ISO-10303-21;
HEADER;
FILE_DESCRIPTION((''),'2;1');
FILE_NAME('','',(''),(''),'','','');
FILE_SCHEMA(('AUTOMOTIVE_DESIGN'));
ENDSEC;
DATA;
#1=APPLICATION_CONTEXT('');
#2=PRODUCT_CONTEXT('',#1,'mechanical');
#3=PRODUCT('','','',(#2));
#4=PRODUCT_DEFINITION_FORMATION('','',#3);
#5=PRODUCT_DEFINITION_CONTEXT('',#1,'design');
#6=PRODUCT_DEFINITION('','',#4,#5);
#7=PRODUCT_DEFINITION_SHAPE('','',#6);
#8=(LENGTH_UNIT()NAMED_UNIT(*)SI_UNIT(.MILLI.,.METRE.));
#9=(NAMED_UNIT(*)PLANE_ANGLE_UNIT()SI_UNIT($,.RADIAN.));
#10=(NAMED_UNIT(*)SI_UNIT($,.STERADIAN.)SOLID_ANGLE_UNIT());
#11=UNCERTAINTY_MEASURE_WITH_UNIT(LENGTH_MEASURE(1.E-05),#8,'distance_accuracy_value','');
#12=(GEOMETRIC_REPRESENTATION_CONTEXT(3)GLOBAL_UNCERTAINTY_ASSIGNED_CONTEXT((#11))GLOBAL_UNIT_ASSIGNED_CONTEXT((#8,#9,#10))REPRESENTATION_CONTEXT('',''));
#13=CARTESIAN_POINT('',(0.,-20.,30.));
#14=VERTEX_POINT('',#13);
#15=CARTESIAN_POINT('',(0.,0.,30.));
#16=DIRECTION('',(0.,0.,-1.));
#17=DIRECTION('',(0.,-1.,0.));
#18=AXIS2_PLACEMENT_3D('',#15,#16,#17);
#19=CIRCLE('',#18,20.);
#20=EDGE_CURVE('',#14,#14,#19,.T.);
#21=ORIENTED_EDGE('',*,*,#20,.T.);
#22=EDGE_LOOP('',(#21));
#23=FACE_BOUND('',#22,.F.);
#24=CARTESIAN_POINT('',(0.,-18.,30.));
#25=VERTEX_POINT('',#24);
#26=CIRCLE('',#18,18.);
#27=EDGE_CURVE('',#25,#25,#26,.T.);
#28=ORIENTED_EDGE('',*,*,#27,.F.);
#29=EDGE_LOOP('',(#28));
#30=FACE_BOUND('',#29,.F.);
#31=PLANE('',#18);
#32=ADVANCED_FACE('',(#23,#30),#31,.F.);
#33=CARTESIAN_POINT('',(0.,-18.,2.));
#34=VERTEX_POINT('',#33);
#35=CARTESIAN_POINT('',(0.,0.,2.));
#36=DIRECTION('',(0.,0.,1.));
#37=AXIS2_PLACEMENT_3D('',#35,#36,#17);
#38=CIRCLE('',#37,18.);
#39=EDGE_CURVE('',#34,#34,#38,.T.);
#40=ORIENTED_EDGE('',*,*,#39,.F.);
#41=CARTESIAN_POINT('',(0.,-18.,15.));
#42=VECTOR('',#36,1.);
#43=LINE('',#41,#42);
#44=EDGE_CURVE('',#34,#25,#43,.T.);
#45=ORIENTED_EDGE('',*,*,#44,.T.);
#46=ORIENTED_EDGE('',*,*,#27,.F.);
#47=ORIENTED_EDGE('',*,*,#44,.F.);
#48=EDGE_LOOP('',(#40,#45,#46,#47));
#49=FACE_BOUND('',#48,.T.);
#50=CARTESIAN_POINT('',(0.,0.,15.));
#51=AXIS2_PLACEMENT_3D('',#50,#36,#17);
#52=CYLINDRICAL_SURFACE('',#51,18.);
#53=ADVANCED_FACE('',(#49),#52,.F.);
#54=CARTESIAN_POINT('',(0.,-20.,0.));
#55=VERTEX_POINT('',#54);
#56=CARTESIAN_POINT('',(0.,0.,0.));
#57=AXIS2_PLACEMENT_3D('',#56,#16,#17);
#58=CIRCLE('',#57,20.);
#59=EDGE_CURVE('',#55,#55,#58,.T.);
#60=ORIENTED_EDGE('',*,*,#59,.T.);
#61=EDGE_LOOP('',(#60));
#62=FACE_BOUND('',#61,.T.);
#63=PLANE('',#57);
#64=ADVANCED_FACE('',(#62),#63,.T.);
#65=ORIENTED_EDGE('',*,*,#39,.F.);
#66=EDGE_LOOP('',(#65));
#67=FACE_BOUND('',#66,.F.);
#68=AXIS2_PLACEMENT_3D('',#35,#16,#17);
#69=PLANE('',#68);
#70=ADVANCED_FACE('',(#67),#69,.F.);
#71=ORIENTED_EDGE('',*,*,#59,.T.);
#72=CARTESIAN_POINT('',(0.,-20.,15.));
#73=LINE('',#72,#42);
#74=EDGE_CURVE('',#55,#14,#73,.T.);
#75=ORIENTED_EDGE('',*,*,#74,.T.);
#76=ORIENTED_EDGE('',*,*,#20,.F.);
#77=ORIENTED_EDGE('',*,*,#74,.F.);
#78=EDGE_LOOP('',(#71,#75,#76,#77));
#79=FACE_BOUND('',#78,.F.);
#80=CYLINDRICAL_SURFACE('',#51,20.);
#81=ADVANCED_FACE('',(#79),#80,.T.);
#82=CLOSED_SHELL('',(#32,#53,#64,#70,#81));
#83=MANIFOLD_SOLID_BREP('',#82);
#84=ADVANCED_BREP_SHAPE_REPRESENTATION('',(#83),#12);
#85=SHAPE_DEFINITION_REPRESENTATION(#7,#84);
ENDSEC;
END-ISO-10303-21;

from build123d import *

# Parameters (mm, degrees)
F0_W = 20
F0_H = 30
F2_T = -2


with BuildPart() as f1:
    # F0 (on Right) → F1 (revolve)
    with BuildSketch(Plane.YZ):
        with Locations((-10, 15)):
            Rectangle(F0_W, F0_H)
    revolve(axis=Axis((0, 0, 15), (0, 0, -1)))

    # F2
    f2_openings = [f1.faces().sort_by_distance(p)[0] for p in [
        (0, 0, 30),
    ]]
    offset(amount=F2_T, openings=f2_openings)


solid = f1.part
